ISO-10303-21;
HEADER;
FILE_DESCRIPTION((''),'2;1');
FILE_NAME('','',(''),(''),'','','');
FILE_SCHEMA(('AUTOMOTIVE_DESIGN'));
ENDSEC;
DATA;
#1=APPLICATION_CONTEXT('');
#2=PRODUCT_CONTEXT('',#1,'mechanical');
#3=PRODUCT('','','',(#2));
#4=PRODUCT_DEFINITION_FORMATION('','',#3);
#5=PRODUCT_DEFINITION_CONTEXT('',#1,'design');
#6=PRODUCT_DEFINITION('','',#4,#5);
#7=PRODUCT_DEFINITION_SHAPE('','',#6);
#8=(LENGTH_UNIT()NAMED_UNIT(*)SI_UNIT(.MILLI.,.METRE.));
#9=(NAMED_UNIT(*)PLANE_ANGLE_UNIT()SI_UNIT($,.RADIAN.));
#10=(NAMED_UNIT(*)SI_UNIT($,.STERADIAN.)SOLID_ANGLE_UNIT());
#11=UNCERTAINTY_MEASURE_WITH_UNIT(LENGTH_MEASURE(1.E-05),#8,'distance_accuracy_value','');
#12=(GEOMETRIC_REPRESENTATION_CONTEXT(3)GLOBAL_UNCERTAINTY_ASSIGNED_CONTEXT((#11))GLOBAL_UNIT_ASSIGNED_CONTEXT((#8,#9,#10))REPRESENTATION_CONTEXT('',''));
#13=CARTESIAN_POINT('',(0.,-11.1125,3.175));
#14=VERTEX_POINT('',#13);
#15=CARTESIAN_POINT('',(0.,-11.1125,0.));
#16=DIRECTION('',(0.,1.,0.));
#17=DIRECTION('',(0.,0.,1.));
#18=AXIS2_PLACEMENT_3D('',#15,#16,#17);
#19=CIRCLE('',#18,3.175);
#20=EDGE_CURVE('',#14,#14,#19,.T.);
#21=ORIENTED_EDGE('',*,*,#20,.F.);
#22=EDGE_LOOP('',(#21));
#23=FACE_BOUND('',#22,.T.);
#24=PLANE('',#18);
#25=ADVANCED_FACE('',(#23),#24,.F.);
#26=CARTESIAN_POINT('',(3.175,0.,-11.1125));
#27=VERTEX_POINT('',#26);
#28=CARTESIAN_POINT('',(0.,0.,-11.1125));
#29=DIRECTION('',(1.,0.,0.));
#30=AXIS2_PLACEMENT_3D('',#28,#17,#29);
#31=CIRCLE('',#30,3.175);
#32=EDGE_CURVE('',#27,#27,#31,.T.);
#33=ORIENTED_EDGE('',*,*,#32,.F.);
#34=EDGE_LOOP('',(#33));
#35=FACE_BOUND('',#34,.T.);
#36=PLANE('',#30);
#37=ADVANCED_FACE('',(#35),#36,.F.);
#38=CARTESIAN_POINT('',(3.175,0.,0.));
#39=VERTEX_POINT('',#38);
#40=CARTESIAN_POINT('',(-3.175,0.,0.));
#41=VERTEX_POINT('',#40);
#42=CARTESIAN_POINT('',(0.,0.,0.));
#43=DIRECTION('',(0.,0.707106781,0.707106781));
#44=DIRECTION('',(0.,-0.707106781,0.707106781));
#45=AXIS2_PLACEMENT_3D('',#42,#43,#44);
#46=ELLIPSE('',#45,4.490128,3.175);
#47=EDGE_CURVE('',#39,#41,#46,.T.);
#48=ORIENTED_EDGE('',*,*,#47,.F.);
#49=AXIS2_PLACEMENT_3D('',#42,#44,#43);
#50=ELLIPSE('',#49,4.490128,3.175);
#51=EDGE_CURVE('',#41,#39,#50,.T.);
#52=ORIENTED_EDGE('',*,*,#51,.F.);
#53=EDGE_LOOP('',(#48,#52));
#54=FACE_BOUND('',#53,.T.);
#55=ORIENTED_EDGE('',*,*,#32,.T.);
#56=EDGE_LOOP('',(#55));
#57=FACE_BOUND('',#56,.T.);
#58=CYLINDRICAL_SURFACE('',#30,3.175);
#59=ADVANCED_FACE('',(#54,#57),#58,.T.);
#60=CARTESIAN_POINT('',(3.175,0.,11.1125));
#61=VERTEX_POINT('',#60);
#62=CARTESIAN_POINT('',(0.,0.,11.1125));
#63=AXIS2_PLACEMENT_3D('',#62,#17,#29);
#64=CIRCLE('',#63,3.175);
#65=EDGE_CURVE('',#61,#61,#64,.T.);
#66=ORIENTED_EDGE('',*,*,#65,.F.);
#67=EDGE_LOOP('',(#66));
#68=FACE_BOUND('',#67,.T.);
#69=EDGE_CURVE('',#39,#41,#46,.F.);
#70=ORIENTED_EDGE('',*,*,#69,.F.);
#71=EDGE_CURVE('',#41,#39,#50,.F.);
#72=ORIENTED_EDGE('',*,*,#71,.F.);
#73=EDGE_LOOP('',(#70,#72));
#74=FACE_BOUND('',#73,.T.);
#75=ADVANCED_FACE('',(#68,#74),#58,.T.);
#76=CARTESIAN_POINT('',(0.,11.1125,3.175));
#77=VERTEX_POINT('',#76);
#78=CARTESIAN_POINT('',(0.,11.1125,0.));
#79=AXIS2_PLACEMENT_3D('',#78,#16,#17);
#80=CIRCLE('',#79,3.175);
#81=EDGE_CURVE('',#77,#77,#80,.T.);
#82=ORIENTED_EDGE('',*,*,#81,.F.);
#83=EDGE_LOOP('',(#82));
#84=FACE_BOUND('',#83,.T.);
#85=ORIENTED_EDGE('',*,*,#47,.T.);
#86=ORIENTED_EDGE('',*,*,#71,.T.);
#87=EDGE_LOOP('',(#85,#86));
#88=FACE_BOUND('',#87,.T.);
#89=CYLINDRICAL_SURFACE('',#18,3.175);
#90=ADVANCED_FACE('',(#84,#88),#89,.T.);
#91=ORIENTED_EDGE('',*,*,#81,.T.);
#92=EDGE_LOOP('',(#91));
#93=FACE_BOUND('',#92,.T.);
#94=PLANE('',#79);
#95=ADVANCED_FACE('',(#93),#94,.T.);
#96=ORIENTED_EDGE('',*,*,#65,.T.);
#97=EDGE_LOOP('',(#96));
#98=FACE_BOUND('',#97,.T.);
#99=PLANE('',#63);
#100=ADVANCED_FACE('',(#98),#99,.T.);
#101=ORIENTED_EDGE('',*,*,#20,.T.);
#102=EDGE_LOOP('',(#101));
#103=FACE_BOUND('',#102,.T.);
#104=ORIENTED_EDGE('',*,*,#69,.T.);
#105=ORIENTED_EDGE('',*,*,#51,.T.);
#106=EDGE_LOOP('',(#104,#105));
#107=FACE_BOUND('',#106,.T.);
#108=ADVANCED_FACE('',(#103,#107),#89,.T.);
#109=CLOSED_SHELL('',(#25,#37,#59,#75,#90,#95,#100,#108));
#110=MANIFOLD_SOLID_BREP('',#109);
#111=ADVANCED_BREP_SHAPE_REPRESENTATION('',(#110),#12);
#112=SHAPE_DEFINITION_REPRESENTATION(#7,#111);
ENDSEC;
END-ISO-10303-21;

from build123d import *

# Parameters (mm, degrees)
SKETCH1_R                = 3.175
BOSS_EXTRUDE1_DEPTH      = 11.1125
BOSS_EXTRUDE1_DEPTH_BACK = 11.1125
SKETCH2_R                = 3.175
BOSS_EXTRUDE2_DEPTH      = 11.1125
BOSS_EXTRUDE2_DEPTH_BACK = 11.1125


with BuildPart() as part:
    # Sketch1 → Boss-Extrude1 (new body, two sides)
    with BuildSketch(Plane.XY) as boss_extrude1_sk:
        Circle(SKETCH1_R)
    extrude(amount=BOSS_EXTRUDE1_DEPTH)
    extrude(boss_extrude1_sk.sketch, amount=-BOSS_EXTRUDE1_DEPTH_BACK)

    # Sketch2 → Boss-Extrude2 (add, two sides)
    with BuildSketch(Plane(origin=(0, 0, 0), x_dir=(1, 0, 0), z_dir=(0, 1, 0))) as boss_extrude2_sk:
        Circle(SKETCH2_R)
    extrude(amount=BOSS_EXTRUDE2_DEPTH)
    extrude(boss_extrude2_sk.sketch, amount=-BOSS_EXTRUDE2_DEPTH_BACK)


solid = part.part
